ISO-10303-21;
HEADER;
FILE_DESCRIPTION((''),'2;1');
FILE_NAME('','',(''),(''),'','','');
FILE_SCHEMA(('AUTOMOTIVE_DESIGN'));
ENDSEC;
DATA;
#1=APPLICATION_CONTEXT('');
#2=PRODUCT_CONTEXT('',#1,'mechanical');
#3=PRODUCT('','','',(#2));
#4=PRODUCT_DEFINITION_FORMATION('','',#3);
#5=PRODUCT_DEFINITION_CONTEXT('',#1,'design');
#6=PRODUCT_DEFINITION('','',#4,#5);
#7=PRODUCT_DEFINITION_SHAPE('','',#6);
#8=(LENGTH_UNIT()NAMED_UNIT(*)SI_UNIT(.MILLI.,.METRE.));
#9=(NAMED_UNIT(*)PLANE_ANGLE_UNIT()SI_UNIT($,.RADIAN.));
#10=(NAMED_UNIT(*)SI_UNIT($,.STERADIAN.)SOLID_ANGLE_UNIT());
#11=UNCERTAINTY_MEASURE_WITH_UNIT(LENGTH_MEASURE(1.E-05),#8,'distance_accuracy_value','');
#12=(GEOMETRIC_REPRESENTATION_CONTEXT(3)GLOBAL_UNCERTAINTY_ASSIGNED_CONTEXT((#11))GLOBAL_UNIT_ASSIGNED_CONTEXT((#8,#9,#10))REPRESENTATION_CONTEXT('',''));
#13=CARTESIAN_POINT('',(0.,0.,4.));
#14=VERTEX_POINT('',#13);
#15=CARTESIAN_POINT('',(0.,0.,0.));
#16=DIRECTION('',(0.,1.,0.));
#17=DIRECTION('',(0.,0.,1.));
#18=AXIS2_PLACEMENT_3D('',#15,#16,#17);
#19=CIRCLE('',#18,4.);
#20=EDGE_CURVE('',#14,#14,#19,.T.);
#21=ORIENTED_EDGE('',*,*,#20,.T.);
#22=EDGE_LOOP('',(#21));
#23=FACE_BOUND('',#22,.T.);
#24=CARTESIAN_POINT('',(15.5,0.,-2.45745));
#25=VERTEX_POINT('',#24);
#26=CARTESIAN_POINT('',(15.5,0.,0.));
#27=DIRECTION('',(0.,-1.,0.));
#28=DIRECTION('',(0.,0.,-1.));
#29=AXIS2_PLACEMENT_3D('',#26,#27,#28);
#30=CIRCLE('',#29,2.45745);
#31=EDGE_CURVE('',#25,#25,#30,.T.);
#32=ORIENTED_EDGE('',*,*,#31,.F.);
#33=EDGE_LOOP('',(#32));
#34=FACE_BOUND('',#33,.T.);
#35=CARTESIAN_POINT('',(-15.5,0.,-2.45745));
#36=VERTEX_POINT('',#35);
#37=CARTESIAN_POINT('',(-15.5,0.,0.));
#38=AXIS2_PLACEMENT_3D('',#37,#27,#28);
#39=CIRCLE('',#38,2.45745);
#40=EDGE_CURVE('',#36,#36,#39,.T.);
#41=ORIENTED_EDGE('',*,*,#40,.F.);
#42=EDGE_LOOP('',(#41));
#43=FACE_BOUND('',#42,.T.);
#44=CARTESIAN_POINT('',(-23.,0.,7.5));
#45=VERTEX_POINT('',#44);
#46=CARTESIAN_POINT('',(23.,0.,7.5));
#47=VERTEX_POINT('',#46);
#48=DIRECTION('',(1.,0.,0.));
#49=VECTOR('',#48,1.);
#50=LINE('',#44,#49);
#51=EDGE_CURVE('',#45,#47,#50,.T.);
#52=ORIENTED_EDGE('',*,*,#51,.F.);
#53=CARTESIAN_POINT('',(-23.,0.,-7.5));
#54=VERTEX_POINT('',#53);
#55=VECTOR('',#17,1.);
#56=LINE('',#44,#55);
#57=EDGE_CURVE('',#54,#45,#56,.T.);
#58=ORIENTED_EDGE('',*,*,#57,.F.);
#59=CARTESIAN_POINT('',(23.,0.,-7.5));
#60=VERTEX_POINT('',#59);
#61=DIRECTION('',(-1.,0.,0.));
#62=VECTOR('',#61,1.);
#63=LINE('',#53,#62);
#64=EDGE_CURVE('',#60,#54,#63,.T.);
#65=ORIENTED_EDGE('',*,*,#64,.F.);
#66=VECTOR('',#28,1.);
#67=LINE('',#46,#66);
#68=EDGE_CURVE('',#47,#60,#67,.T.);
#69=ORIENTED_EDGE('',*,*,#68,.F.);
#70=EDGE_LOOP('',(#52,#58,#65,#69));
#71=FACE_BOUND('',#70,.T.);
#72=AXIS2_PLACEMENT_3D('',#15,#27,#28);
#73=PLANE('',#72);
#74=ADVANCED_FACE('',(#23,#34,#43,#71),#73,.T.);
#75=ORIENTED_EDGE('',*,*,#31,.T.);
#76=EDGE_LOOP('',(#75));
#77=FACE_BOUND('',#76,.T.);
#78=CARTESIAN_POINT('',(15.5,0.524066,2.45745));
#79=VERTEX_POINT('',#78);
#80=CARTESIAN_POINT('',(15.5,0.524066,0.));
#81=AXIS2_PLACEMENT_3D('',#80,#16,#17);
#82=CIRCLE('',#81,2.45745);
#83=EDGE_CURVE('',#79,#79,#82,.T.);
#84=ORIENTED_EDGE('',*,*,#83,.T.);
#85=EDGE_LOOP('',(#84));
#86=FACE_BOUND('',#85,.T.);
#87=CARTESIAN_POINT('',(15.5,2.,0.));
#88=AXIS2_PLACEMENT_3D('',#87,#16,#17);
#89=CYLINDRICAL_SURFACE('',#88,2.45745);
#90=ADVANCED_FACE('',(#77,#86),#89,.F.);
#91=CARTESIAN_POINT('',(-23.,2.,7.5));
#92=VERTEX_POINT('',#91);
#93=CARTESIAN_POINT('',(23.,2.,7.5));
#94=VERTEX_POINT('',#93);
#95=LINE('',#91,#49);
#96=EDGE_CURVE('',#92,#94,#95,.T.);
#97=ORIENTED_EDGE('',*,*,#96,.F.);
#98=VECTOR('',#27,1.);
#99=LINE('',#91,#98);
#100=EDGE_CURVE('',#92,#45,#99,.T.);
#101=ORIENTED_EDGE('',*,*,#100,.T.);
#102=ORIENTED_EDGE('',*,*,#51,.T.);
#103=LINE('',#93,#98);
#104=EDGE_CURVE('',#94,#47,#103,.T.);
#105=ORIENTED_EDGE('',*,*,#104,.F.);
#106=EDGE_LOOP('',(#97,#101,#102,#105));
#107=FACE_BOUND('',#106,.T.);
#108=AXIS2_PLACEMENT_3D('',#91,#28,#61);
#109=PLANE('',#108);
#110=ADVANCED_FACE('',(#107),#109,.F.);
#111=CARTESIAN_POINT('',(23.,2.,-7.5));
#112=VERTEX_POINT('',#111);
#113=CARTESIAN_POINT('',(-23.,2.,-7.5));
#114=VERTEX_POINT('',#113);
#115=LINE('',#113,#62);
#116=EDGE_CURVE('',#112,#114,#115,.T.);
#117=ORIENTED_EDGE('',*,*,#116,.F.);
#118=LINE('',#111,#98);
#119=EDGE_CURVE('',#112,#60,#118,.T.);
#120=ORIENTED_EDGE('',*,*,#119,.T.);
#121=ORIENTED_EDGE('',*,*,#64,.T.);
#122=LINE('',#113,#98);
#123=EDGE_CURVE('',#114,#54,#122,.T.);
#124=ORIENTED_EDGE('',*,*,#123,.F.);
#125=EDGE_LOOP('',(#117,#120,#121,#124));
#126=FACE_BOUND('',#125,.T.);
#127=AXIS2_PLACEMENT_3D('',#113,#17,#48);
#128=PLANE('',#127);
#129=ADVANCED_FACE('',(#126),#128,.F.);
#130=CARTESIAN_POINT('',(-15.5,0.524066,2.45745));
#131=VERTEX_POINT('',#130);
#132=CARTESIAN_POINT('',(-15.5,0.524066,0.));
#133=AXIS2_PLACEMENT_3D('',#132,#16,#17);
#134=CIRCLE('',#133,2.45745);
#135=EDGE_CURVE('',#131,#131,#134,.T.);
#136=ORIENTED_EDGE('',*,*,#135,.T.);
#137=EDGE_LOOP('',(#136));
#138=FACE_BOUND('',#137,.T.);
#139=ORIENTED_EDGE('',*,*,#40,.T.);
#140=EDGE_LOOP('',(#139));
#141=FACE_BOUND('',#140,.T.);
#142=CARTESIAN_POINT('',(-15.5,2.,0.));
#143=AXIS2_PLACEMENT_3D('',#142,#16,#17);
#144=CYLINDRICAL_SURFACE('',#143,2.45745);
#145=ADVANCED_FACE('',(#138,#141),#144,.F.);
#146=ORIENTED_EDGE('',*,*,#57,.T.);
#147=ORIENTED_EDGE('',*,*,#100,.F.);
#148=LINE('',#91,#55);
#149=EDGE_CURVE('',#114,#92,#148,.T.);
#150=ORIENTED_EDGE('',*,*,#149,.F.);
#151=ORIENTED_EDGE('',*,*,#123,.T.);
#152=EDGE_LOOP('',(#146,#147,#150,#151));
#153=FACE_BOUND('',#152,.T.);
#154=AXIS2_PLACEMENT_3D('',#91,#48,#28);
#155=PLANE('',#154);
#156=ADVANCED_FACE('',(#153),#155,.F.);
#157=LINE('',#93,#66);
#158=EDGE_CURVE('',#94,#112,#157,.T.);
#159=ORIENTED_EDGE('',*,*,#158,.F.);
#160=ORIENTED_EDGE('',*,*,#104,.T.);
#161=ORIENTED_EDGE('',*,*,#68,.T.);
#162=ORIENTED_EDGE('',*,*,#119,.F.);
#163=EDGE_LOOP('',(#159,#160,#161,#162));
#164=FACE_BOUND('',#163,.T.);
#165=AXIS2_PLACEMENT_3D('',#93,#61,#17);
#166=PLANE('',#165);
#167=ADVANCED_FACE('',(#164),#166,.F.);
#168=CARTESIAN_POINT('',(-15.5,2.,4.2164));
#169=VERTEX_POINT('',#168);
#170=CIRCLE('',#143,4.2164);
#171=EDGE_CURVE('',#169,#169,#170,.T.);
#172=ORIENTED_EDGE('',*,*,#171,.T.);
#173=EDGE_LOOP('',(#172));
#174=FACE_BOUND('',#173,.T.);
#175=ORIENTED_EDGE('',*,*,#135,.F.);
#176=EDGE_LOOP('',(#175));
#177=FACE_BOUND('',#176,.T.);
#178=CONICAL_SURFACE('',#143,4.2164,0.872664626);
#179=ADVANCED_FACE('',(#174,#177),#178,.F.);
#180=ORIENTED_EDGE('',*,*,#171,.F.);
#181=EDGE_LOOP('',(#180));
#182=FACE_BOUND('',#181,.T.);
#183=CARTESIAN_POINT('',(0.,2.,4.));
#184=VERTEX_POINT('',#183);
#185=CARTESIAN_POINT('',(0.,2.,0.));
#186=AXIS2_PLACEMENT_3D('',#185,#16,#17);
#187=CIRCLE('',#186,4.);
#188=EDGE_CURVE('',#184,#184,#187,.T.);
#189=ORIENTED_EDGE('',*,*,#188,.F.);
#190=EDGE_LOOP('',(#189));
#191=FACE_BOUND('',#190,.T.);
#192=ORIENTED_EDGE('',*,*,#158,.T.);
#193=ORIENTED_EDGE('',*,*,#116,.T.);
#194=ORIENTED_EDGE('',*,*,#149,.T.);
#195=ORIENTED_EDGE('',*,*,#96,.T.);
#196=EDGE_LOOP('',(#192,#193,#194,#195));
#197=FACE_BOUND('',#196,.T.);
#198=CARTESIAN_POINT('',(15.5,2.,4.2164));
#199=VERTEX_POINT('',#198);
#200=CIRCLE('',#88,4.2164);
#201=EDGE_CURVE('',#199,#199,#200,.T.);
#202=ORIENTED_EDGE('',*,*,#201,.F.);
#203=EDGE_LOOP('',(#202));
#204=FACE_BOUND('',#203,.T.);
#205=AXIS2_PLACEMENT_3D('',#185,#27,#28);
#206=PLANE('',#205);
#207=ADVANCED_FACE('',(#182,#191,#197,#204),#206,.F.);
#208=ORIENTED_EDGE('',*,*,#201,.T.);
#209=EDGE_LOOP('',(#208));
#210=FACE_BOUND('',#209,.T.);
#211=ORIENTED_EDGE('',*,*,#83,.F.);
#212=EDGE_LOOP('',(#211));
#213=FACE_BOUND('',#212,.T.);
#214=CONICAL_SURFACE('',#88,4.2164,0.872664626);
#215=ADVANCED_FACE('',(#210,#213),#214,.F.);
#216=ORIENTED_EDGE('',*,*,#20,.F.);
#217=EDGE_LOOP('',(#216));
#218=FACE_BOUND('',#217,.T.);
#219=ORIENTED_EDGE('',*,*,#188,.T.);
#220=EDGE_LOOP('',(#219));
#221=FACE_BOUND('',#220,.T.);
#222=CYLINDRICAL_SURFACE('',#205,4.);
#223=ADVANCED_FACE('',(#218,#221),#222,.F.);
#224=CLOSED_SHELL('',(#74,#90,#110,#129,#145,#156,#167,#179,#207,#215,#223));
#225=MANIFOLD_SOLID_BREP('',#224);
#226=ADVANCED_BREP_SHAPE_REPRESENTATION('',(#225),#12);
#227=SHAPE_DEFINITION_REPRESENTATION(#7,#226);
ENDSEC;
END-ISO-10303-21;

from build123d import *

# Parameters (mm, degrees)
SKETCH1_W                                         = 46
SKETCH1_H                                         = 15
SKETCH1_R                                         = 4
BOSS_EXTRUDE1_DEPTH                               = 2
CSK_FOR_8_FLAT_HEAD_MACHINE_SCREW_100_D           = 4.9149
CSK_FOR_8_FLAT_HEAD_MACHINE_SCREW_100_DEPTH       = 25
CSK_FOR_8_FLAT_HEAD_MACHINE_SCREW_100_CSINK_D     = 8.4328
CSK_FOR_8_FLAT_HEAD_MACHINE_SCREW_100_CSINK_ANGLE = 100
CSK_FOR_8_FLAT_HEAD_MACHINE_SCREW_100_TIP         = 1.476584928


with BuildPart() as part:
    # Sketch1 → Boss-Extrude1 (new body)
    with BuildSketch(Plane(origin=(0, 0, 0), x_dir=(1, 0, 0), z_dir=(0, 1, 0))):
        Rectangle(SKETCH1_W, SKETCH1_H)
        with Locations(Location((0, 0, 0), (0, 0, 270))):
            Circle(SKETCH1_R, mode=Mode.SUBTRACT)
    extrude(amount=BOSS_EXTRUDE1_DEPTH)

    # CSK for #8 Flat Head Machine Screw (100)1
    with Locations(Plane(origin=(0, 2, 0), x_dir=(1, 0, 0), z_dir=(0, 1, 0))):
        with Locations((-15.5, 0), (15.5, 0)):
            CounterSinkHole(CSK_FOR_8_FLAT_HEAD_MACHINE_SCREW_100_D / 2, CSK_FOR_8_FLAT_HEAD_MACHINE_SCREW_100_CSINK_D / 2, depth=CSK_FOR_8_FLAT_HEAD_MACHINE_SCREW_100_DEPTH, counter_sink_angle=CSK_FOR_8_FLAT_HEAD_MACHINE_SCREW_100_CSINK_ANGLE)
            with Locations((0, 0, -(CSK_FOR_8_FLAT_HEAD_MACHINE_SCREW_100_DEPTH + CSK_FOR_8_FLAT_HEAD_MACHINE_SCREW_100_TIP / 2))):  # 118° drill point
                Cone(0, CSK_FOR_8_FLAT_HEAD_MACHINE_SCREW_100_D / 2, CSK_FOR_8_FLAT_HEAD_MACHINE_SCREW_100_TIP, mode=Mode.SUBTRACT)


solid = part.part
